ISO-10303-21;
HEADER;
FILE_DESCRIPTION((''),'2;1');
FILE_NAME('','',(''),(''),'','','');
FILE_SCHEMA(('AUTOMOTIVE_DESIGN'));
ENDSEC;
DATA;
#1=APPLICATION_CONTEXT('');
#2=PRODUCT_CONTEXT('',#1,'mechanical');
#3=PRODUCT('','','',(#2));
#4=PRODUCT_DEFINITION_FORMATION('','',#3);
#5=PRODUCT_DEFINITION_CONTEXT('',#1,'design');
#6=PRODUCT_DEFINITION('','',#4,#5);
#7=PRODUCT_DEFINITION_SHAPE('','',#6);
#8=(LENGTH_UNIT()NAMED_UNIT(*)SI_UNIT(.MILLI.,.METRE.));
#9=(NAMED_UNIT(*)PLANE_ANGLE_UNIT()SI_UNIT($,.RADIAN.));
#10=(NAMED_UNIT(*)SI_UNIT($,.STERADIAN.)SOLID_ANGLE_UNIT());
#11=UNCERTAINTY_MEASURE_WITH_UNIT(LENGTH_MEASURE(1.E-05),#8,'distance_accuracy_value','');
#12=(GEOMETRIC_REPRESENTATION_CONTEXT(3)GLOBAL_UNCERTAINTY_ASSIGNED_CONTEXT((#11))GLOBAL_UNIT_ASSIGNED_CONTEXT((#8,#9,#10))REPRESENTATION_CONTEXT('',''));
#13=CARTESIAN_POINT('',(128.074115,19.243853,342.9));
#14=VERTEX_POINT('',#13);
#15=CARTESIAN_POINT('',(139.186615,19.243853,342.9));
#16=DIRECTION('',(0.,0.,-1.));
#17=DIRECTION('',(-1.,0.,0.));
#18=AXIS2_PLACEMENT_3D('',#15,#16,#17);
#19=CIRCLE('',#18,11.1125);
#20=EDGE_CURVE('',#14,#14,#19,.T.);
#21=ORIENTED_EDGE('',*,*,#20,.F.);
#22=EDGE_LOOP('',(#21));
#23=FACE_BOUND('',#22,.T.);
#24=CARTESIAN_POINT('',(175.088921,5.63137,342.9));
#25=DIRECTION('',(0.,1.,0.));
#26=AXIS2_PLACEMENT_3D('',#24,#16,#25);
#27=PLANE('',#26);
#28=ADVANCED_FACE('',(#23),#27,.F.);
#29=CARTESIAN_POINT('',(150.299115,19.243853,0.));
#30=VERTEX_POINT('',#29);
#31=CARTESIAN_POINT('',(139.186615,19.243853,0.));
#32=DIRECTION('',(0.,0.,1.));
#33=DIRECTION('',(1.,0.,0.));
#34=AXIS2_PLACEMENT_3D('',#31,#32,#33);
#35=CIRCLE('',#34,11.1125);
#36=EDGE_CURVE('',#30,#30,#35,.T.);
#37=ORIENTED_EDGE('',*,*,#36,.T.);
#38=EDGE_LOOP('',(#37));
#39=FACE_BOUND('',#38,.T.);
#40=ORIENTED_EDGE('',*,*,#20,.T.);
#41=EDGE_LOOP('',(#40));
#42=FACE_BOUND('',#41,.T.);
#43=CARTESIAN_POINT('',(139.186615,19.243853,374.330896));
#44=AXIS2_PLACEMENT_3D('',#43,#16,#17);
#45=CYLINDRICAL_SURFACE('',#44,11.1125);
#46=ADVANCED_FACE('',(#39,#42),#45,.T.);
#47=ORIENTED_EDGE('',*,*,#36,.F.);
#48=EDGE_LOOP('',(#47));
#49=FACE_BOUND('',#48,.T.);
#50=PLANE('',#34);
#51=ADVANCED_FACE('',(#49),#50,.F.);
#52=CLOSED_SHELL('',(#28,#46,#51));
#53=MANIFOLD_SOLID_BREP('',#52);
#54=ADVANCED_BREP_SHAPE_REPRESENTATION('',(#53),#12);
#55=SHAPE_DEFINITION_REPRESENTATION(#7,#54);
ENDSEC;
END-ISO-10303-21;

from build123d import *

# Parameters (mm, degrees)
SKETCH1_R           = 11.1125
BOSS_EXTRUDE1_DEPTH = 342.9


with BuildPart() as part:
    # Sketch1 → Boss-Extrude1 (new body)
    with BuildSketch(Plane.XY):
        with Locations(Location((139.1866152, 19.2438528, 0), (0, 0, 180))):
            Circle(SKETCH1_R)
    extrude(amount=BOSS_EXTRUDE1_DEPTH)


solid = part.part
